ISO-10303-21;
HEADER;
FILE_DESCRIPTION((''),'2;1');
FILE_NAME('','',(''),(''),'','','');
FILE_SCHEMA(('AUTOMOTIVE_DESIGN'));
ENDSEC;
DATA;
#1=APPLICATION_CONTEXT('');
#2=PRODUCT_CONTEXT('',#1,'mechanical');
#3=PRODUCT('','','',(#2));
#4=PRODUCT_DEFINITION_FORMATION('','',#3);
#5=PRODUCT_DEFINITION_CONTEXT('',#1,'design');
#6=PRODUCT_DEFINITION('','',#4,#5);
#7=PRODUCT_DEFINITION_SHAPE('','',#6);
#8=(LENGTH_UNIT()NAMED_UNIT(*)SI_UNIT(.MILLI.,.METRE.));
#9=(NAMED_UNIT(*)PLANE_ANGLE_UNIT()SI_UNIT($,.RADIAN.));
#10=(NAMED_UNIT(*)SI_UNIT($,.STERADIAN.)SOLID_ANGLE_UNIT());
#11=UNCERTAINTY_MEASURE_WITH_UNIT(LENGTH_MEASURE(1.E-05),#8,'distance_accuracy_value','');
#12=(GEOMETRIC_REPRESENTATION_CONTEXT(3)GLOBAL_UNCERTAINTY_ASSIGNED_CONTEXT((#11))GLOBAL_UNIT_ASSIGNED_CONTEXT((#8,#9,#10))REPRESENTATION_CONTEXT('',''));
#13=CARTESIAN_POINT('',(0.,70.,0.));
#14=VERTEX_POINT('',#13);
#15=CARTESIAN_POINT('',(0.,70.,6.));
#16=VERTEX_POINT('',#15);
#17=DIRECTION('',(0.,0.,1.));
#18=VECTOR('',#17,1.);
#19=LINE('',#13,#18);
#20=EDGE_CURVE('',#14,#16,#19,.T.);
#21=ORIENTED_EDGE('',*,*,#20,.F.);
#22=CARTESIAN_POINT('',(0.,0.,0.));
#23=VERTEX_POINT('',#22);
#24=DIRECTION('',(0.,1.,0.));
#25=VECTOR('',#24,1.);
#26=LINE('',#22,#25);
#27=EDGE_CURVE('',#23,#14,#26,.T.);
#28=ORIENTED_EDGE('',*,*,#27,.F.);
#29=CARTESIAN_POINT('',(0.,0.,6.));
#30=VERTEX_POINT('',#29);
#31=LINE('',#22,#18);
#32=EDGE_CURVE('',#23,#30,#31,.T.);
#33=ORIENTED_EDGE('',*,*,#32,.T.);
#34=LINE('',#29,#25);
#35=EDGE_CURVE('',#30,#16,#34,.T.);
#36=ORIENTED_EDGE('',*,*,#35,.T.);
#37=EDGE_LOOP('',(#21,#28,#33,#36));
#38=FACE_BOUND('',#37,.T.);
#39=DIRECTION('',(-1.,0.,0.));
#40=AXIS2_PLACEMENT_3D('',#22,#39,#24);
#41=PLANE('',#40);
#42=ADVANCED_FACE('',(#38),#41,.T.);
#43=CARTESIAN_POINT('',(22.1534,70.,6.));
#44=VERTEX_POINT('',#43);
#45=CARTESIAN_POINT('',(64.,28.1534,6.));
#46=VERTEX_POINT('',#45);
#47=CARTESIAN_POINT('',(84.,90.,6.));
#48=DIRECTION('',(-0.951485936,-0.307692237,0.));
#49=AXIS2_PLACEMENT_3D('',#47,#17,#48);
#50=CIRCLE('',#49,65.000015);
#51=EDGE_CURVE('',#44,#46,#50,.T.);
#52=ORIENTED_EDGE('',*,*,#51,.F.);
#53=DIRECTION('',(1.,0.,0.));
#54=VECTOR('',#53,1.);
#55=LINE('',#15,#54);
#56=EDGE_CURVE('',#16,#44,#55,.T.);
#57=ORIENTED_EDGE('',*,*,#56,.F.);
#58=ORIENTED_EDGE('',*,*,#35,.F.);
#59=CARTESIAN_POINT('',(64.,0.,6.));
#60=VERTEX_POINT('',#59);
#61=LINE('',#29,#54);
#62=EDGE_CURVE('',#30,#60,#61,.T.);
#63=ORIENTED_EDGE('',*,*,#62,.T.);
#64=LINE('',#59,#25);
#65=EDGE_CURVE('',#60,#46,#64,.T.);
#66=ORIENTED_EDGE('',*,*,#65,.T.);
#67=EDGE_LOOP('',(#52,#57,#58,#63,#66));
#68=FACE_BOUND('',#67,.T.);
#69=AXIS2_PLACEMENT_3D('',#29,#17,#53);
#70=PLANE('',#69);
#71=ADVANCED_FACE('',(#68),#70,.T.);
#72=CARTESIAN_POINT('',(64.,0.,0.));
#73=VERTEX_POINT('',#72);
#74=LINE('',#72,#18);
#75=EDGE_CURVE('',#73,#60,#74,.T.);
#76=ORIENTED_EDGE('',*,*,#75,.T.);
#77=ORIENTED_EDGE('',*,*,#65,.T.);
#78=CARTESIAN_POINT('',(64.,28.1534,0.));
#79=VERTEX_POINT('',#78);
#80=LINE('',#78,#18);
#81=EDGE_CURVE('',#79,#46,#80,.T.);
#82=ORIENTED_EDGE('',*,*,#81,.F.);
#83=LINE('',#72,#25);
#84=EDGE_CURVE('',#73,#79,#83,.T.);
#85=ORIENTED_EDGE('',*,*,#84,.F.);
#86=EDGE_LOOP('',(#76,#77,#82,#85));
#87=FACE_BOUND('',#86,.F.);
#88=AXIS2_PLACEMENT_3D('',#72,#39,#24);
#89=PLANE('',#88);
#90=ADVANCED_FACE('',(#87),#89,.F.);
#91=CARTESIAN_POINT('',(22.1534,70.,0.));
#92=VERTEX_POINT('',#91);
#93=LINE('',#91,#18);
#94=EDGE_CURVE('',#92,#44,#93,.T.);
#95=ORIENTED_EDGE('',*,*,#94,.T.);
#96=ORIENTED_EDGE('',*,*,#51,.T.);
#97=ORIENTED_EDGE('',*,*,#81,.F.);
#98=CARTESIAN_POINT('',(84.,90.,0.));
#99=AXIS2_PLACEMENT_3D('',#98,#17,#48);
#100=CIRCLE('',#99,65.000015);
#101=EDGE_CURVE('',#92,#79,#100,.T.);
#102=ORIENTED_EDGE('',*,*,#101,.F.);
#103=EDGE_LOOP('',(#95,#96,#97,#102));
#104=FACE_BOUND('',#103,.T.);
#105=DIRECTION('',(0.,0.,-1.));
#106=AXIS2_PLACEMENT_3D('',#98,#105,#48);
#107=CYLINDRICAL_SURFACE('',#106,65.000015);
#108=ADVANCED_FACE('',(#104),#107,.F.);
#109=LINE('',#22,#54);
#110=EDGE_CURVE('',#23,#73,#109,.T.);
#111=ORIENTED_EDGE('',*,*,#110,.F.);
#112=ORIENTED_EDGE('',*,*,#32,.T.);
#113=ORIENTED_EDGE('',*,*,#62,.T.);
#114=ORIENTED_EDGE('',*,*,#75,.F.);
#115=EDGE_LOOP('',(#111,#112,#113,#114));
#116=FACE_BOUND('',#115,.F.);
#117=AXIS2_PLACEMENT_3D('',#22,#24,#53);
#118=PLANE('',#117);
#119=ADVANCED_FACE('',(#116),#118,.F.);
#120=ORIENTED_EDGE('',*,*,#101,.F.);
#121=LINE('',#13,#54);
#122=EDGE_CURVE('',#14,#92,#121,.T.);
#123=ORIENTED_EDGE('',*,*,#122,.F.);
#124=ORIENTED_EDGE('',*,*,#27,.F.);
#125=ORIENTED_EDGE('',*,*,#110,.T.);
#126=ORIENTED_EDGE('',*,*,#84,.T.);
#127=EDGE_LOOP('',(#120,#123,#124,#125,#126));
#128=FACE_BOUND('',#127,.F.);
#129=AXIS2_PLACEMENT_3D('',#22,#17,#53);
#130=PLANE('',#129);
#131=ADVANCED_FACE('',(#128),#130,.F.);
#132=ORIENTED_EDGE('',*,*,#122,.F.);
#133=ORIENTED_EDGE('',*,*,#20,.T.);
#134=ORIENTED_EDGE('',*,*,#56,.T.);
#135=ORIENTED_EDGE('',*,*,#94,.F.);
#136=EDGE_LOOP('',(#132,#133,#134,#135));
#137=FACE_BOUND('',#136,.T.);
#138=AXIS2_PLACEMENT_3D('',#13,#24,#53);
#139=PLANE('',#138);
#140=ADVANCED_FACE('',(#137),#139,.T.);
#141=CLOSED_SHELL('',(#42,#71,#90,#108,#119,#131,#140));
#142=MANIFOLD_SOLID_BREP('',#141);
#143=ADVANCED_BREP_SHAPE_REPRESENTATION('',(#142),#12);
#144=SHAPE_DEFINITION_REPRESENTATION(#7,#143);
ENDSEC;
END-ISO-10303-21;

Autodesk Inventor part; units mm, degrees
ref_plane "YZ Plane" through (0, 0, 0) normal (1, 0, 0) x (0, 1, 0)
ref_plane "XZ Plane" through (0, 0, 0) normal (0, 1, 0) x (-1, 0, 0)
ref_plane "XY Plane" through (0, 0, 0) normal (0, 0, 1) x (1, 0, 0)
sketch "Szkic1" plane through (0, 0, 0) normal (0, 0, 1) x (1, 0, 0)
  line L0 (0, 0) -> (64, 0) construction
  line L1 (64, 0) -> (64, 70) construction
  line L2 (64, 70) -> (0, 70) construction
  line L3 (0, 70) -> (0, 0) construction
  line L4 (0, 0) -> (6, 0) construction
  line L5 (6, 70) -> (0, 70) construction
  line L6 (0, 70) -> (0, 0) construction
  line L7 (6, 0) -> (174, 0) construction
  line L8 (0, 0) -> (64, 0) construction
  line L9 (64, 0) -> (64, 6) construction
  line L10 (64, 6) -> (0, 6) construction
  line L11 (0, 6) -> (0, 0) construction
  line L12 (0, 6) -> (168, 6) construction
  line L13 (168, 6) -> (168, 174) construction
  line L14 (168, 174) -> (0, 174) construction
  line L15 (0, 174) -> (0, 6) construction
  line L16 (84, 174) -> (84, 6) construction
  circle A0 centre (84, 90) radius 65 construction
  line L17 (0, 0) -> (64, 0)
  line L18 (64, 0) -> (64, 28.1534)
  line L19 (0, 0) -> (0, 70)
  line L20 (0, 70) -> (22.1534, 70)
  arc A1 (22.1534, 70) -> (64, 28.1534) centre (84, 90) ccw
  dimension "d13" = 64
  dimension "d14" = 70
  dimension "d19" = 6
  dimension "d20" = 168
  dimension "d21" = 168
  dimension "d22" = 130
extrude "Wyciągnięcie proste1" add sketch "Szkic1" along normal blind 6
properties part number "Naroznik_60x54"
